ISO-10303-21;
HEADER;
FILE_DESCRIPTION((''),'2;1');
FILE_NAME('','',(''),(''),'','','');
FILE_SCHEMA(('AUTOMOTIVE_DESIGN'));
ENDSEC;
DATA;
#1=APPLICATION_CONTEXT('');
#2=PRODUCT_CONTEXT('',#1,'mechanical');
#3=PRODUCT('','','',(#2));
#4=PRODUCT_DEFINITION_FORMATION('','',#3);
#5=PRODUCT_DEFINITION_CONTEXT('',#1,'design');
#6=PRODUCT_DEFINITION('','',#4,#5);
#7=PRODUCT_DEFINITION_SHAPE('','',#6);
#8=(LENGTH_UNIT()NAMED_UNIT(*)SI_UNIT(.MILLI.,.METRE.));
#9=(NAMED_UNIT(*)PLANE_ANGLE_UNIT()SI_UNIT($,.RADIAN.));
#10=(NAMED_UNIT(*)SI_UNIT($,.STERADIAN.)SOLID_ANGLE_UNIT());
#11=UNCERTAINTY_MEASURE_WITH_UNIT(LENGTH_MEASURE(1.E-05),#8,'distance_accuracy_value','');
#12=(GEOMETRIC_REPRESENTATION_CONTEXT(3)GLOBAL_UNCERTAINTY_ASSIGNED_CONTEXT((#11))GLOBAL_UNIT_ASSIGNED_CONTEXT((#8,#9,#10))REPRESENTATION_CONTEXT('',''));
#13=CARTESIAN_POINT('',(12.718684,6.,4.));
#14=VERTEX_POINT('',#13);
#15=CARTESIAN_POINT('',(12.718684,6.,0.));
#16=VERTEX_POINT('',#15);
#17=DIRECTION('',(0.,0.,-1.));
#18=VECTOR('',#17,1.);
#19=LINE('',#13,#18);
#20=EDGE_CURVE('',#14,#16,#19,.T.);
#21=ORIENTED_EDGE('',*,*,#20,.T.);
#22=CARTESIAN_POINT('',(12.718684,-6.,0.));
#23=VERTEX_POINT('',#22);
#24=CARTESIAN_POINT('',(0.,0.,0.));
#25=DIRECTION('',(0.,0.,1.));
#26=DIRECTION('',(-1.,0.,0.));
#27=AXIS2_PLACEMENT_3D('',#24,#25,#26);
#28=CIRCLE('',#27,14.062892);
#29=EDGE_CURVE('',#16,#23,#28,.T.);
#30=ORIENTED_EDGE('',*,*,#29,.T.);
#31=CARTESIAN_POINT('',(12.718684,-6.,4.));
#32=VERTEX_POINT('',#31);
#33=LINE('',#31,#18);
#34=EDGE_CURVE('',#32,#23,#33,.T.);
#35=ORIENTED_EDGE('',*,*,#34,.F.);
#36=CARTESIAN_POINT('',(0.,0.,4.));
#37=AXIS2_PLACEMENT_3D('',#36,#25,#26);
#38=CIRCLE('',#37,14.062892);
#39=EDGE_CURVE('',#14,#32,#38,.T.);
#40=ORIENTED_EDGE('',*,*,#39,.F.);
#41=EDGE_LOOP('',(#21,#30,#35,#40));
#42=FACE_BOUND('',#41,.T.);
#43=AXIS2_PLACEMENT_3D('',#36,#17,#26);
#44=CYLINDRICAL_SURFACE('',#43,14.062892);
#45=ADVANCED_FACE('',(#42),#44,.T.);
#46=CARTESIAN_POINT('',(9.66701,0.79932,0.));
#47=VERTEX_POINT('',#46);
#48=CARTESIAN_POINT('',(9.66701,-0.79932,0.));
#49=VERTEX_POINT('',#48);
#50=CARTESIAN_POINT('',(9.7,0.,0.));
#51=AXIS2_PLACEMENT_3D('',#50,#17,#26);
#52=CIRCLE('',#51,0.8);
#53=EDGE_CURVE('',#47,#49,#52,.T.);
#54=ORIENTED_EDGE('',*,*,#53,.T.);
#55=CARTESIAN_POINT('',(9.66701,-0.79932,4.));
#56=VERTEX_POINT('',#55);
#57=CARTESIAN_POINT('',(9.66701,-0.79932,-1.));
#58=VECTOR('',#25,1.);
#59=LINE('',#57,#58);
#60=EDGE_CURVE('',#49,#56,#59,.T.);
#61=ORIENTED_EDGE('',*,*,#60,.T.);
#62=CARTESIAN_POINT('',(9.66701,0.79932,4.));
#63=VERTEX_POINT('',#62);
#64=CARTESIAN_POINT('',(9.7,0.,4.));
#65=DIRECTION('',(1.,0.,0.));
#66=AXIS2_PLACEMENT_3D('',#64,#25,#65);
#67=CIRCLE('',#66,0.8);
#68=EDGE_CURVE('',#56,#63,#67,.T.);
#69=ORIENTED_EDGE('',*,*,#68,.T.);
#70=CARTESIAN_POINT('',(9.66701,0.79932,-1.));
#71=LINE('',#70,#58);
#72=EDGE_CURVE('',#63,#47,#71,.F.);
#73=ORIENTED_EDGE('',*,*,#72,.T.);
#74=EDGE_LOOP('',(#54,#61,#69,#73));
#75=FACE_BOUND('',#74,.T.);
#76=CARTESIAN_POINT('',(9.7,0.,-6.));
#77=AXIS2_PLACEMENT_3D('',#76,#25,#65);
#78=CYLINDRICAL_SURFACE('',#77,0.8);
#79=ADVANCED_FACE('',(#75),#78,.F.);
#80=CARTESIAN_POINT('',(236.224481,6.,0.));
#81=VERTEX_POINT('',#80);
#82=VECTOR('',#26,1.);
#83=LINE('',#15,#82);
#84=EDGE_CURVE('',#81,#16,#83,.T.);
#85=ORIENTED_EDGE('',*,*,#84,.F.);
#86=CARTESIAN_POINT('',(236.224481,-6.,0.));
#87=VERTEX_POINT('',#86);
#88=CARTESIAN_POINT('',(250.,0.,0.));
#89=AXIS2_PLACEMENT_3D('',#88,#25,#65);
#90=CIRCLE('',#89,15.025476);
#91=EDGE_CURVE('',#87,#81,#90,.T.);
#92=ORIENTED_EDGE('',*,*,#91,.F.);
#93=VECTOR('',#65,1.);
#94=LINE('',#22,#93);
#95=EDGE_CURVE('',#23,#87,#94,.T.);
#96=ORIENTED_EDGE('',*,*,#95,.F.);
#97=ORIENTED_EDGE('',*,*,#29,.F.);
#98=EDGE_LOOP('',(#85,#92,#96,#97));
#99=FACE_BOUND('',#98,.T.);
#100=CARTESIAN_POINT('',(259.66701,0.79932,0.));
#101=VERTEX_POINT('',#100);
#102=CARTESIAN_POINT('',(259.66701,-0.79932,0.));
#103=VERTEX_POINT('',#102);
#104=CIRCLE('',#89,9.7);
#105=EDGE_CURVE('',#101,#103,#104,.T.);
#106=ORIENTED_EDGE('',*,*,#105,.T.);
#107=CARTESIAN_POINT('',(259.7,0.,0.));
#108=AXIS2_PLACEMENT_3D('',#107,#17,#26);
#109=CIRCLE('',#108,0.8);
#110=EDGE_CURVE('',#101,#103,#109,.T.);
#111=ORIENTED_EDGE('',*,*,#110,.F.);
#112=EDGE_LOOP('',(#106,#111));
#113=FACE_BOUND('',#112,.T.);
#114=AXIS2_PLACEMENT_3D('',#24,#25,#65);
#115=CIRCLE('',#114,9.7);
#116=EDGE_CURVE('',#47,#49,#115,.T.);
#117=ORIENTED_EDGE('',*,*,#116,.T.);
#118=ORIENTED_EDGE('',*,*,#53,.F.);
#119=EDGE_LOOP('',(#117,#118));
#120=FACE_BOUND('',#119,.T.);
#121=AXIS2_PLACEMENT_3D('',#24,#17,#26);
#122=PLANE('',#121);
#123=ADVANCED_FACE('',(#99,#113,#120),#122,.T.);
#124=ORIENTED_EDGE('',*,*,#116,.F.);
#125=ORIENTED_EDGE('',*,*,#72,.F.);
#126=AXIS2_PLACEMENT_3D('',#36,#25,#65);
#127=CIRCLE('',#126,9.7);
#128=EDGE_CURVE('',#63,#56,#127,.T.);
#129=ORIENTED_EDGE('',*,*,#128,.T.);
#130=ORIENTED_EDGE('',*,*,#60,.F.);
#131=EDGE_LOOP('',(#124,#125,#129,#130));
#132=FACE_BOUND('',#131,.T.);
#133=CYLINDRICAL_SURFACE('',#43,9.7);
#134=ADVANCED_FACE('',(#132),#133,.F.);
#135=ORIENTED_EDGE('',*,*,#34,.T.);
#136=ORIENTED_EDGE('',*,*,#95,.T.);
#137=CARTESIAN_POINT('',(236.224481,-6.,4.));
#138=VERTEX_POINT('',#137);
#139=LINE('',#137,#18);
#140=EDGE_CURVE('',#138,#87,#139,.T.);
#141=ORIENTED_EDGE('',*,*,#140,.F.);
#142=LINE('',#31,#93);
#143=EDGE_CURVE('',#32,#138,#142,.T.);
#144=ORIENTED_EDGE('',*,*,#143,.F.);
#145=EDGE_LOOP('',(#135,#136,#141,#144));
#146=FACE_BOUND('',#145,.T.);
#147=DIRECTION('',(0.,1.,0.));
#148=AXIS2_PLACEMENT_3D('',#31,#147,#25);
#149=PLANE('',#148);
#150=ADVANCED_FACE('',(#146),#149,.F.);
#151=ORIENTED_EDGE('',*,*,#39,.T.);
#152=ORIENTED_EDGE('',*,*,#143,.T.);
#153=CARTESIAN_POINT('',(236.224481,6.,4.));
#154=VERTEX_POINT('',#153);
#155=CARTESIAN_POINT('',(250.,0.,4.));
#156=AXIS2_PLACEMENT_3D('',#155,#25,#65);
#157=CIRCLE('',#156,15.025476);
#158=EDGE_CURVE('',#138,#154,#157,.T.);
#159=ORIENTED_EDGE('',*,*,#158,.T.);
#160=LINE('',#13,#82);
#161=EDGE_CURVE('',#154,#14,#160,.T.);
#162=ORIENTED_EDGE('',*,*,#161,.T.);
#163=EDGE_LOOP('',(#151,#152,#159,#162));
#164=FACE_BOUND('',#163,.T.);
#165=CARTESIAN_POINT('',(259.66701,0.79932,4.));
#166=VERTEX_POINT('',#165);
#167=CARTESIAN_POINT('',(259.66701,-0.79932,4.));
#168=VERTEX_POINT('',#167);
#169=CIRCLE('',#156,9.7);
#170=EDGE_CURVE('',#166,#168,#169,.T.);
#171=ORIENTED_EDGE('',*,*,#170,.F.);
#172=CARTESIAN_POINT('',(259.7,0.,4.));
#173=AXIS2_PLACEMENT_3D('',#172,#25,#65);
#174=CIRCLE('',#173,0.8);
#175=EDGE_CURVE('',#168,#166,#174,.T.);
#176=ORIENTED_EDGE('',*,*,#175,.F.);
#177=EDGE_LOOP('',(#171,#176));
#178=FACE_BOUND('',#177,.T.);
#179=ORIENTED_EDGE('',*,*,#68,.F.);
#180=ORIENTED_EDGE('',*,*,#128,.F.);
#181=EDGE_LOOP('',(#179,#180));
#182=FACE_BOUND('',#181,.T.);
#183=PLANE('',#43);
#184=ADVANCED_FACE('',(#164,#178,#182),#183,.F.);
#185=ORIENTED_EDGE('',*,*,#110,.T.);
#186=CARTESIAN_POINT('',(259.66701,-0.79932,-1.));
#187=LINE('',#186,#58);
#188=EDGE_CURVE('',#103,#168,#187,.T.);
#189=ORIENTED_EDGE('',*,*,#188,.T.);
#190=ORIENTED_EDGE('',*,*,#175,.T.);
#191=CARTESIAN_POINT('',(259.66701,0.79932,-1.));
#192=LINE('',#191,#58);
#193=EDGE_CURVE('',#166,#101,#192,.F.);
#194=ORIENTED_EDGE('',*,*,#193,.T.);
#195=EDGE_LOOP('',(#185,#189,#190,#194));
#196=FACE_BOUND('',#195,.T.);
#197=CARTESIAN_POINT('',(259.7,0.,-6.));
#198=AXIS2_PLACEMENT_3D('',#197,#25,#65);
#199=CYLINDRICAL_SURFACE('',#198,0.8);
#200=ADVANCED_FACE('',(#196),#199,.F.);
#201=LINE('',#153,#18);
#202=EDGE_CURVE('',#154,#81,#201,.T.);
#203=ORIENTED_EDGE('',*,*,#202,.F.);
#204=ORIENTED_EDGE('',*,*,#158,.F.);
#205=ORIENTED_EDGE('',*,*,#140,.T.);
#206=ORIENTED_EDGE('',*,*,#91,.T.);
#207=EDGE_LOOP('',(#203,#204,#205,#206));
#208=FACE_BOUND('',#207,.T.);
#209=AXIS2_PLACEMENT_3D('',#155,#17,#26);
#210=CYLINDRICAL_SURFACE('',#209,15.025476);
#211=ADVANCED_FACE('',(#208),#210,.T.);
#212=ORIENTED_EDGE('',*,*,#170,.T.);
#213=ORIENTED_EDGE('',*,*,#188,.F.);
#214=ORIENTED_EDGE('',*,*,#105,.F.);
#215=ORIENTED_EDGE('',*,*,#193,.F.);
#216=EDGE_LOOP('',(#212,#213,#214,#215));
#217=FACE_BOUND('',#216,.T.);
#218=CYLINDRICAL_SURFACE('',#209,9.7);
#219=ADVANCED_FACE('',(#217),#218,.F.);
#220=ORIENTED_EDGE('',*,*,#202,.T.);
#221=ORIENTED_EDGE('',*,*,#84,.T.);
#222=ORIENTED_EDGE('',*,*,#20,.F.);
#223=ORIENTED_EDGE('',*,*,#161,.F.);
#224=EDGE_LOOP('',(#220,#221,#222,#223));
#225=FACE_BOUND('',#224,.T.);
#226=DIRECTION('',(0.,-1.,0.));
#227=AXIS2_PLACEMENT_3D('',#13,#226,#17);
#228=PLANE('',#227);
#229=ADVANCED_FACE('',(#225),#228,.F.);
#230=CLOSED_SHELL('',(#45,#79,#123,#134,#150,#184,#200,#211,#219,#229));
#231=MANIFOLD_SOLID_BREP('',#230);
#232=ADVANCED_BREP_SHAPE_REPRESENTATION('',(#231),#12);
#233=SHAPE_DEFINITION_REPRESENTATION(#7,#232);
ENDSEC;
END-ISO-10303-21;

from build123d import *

# Parameters (mm, degrees)
SKETCH_1_R          = 9.7
EXTRUDE_1_DEPTH     = 4
SKETCH_3_R          = 0.8
CUT_EXTRUDE_1_DEPTH = 10


with BuildPart() as part:
    # 草图1 → 凸台-拉伸1 (new body)
    with BuildSketch(Plane.XY):
        with BuildLine():
            Line((12.718684308, 6), (236.224480753, 6))
            ThreePointArc((236.224480753, 6), (265.02547605, 0), (236.224480753, -6))
            Line((236.224480753, -6), (12.718684308, -6))
            ThreePointArc((12.718684308, -6), (-14.062891969, 0), (12.718684308, 6))
        make_face()
        Circle(SKETCH_1_R, mode=Mode.SUBTRACT)
        with Locations((250, 0)):
            Circle(SKETCH_1_R, mode=Mode.SUBTRACT)
    extrude(amount=EXTRUDE_1_DEPTH)

    # 草图3 → 切除-拉伸1 (cut)
    with BuildSketch(Plane.XY.offset(4)):
        with Locations((9.7, 0)):
            Circle(SKETCH_3_R)
        with Locations((259.7, 0)):
            Circle(SKETCH_3_R)
    extrude(amount=-CUT_EXTRUDE_1_DEPTH, mode=Mode.SUBTRACT)


solid = part.part
